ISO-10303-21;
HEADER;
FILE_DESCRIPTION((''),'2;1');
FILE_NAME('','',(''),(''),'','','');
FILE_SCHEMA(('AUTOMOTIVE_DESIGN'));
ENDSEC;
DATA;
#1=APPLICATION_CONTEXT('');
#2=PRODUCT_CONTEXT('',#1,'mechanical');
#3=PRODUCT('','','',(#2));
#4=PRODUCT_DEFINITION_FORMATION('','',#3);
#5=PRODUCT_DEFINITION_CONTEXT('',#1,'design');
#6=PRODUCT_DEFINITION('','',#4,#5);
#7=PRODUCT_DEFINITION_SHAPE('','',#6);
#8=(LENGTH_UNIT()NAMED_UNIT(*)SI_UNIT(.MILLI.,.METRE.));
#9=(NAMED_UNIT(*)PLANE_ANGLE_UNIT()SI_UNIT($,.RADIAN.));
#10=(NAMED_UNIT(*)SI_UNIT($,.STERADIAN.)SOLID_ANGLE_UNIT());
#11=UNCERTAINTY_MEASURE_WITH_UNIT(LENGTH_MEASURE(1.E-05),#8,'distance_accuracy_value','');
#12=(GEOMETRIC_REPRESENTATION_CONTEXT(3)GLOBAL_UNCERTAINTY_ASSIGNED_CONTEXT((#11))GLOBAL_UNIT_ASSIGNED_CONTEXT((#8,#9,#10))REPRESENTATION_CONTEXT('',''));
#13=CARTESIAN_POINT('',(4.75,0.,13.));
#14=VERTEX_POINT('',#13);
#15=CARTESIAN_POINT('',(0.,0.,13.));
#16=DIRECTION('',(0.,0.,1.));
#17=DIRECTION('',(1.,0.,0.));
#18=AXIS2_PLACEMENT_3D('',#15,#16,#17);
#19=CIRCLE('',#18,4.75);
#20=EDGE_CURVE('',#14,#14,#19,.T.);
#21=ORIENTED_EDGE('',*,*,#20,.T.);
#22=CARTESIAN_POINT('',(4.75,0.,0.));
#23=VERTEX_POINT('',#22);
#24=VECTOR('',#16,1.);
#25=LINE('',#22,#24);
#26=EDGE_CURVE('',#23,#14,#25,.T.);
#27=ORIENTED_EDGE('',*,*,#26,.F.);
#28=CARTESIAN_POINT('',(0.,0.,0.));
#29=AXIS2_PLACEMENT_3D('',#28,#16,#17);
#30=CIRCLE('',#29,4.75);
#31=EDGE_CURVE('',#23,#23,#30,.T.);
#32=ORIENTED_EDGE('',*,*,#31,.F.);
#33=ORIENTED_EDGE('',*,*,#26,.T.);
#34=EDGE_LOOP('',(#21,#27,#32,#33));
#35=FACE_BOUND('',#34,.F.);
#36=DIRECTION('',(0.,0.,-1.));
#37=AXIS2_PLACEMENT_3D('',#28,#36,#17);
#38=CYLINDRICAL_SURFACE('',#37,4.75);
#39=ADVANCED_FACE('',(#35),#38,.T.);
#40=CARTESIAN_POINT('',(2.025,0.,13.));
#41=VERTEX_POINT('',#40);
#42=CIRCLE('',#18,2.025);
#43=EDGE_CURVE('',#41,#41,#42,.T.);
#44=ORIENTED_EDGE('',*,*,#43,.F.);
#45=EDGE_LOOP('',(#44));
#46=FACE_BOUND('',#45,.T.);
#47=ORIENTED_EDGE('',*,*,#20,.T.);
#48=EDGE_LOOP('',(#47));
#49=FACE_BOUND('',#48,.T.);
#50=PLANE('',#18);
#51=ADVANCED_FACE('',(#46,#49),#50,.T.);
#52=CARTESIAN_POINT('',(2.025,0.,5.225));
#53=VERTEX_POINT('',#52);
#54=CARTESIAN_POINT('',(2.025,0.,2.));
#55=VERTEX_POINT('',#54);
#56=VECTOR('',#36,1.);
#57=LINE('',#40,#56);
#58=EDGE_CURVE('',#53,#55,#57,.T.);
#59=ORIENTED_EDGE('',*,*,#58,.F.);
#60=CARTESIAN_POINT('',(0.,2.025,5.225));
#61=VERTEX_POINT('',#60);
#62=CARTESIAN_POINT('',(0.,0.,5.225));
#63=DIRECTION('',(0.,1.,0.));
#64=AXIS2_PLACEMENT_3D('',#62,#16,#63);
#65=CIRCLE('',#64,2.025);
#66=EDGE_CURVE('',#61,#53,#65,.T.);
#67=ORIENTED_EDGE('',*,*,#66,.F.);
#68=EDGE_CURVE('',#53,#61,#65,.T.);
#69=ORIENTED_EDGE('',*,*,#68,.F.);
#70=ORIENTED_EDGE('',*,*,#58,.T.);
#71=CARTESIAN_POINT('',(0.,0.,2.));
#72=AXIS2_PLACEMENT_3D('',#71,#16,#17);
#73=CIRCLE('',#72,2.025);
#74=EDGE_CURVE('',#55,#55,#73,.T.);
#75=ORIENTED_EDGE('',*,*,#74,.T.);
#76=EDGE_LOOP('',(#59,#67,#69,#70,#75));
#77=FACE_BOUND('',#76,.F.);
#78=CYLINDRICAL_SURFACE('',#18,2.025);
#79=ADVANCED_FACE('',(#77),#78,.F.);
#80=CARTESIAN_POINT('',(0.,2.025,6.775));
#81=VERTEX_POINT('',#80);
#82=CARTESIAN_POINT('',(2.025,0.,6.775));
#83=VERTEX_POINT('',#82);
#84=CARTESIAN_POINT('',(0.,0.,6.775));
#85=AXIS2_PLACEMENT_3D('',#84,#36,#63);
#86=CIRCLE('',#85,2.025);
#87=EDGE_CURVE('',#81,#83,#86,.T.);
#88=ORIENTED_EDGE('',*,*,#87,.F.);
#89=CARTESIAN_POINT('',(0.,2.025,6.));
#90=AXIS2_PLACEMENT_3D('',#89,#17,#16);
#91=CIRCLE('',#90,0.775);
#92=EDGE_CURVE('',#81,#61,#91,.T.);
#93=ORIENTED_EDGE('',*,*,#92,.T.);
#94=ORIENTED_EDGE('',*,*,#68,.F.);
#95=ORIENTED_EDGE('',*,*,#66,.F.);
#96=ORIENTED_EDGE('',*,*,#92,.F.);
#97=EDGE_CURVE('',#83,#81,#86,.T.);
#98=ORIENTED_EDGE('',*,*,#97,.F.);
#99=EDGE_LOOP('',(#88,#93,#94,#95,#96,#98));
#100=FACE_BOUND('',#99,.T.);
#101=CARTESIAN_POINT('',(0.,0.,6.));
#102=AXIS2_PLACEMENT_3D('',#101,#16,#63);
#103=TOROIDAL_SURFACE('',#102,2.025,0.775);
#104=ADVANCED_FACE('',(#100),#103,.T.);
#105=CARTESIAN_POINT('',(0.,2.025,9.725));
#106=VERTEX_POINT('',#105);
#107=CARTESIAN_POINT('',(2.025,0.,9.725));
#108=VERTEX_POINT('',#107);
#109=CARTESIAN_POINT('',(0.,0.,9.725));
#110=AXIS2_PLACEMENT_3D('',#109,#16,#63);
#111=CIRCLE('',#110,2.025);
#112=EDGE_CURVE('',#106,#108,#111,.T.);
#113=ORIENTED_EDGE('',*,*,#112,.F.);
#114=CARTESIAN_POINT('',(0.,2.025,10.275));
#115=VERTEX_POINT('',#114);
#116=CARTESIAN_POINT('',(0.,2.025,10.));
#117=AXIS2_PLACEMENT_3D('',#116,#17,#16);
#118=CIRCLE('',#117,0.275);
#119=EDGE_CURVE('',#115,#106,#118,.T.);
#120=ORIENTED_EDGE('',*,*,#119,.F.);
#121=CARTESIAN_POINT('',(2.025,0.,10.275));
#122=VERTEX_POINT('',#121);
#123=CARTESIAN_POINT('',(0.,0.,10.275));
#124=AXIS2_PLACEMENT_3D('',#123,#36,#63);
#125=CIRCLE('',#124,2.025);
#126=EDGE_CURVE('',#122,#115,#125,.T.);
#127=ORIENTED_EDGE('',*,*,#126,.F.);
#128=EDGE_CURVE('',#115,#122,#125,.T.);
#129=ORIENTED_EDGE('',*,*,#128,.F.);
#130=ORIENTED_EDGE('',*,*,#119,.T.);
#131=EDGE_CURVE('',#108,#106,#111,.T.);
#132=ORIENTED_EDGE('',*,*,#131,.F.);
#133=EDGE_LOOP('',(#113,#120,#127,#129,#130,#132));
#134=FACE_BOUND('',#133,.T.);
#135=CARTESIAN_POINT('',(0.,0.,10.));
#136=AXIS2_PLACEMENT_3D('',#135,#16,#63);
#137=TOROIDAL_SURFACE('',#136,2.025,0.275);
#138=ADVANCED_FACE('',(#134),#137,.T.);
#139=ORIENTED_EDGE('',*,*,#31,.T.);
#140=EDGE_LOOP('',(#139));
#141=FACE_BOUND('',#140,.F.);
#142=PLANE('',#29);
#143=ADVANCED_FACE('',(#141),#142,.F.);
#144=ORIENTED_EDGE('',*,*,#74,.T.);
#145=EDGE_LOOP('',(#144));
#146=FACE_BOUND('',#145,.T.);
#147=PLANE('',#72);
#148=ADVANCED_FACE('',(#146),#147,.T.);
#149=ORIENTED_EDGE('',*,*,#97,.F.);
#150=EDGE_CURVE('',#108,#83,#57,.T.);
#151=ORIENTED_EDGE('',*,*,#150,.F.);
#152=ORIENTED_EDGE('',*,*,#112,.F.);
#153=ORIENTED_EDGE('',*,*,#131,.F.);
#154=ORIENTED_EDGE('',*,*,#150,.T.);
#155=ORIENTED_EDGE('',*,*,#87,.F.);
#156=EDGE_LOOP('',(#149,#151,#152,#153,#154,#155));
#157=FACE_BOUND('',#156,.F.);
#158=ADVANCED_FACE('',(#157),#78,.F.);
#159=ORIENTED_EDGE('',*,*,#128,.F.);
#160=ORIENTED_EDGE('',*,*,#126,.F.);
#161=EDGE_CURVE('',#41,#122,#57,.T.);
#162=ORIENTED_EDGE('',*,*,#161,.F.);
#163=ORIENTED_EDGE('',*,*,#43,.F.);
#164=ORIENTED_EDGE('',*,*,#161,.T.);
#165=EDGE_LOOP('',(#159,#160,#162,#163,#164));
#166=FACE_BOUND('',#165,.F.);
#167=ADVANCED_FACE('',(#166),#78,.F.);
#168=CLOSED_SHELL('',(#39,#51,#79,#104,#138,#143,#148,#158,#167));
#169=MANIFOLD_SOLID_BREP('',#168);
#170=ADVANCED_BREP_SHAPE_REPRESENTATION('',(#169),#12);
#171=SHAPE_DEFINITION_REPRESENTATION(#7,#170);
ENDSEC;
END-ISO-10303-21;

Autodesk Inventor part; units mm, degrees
ref_plane "YZ Plane" through (0, 0, 0) normal (1, 0, 0) x (0, 1, 0)
ref_plane "XZ Plane" through (0, 0, 0) normal (0, 1, 0) x (-1, 0, 0)
ref_plane "XY Plane" through (0, 0, 0) normal (0, 0, 1) x (1, 0, 0)
sketch "Boceto1" plane through (0, 0, 0) normal (0, 0, 1) x (1, 0, 0)
  circle A0 centre (0, 0) radius 4.75
  dimension "d0" = 9.5
extrude "Extrusión1" add sketch "Boceto1" along normal blind 13
sketch "Boceto2" plane through (0, 0, 13) normal (0, 0, 1) x (1, 0, 0)
  circle A0 centre (0, 0) radius 2.025
  dimension "d3" = 4.05
extrude "Extrusión2" cut sketch "Boceto2" against normal blind 11
sketch "Boceto3" plane through (0, 0, 0) normal (1, 0, 0) x (0, 1, 0)
  line L0 (2.025, 13) -> (2.025, 2) projected
  line L1 (2.025, 2) -> (2.025, 6)
  line L2 (1.25, 6) -> (-1.25, 6)
  line L3 (-2.025, 13) -> (-2.025, 2) projected
  line L4 (0, 6) -> (-1.25, 6)
  line L5 (0, 6) -> (1.25, 6)
  arc A0 (2.025, 6.775) -> (2.025, 5.225) centre (2.025, 6) ccw
  arc A1 (-2.025, 5.225) -> (-2.025, 6.775) centre (-2.025, 6) ccw
  line L6 (2.025, 6) -> (2.025, 10)
  line L7 (1.75, 10) -> (-1.75, 10)
  line L8 (0, 10) -> (-1.75, 10)
  line L9 (0, 10) -> (1.75, 10)
  arc A2 (2.025, 10.275) -> (2.025, 9.725) centre (2.025, 10) ccw
  arc A3 (-2.025, 9.725) -> (-2.025, 10.275) centre (-2.025, 10) ccw
  line L10 (-2.025, 2) -> (2.025, 2) projected
  line L11 (0, 2) -> (0, 13)
  line L12 (4.75, 13) -> (-4.75, 13) projected
  point P0 (0, 0)
  point P1 (2.025, 5.225)
  dimension "d7" = 4
  dimension "d8" = 1.25
  dimension "d9" = 1.25
  dimension "d10" = 4
  dimension "d11" = 1.75
  dimension "d12" = 1.75
revolve "Revolución1" add sketch "Boceto3" angle 360 about axis through (0, 0, 2) along (0, 0, 1) contours L0 A2 | A3 L3 | L0 A0 | A1 L3
properties part number "Cilindro_caucho" material "Caucho"
